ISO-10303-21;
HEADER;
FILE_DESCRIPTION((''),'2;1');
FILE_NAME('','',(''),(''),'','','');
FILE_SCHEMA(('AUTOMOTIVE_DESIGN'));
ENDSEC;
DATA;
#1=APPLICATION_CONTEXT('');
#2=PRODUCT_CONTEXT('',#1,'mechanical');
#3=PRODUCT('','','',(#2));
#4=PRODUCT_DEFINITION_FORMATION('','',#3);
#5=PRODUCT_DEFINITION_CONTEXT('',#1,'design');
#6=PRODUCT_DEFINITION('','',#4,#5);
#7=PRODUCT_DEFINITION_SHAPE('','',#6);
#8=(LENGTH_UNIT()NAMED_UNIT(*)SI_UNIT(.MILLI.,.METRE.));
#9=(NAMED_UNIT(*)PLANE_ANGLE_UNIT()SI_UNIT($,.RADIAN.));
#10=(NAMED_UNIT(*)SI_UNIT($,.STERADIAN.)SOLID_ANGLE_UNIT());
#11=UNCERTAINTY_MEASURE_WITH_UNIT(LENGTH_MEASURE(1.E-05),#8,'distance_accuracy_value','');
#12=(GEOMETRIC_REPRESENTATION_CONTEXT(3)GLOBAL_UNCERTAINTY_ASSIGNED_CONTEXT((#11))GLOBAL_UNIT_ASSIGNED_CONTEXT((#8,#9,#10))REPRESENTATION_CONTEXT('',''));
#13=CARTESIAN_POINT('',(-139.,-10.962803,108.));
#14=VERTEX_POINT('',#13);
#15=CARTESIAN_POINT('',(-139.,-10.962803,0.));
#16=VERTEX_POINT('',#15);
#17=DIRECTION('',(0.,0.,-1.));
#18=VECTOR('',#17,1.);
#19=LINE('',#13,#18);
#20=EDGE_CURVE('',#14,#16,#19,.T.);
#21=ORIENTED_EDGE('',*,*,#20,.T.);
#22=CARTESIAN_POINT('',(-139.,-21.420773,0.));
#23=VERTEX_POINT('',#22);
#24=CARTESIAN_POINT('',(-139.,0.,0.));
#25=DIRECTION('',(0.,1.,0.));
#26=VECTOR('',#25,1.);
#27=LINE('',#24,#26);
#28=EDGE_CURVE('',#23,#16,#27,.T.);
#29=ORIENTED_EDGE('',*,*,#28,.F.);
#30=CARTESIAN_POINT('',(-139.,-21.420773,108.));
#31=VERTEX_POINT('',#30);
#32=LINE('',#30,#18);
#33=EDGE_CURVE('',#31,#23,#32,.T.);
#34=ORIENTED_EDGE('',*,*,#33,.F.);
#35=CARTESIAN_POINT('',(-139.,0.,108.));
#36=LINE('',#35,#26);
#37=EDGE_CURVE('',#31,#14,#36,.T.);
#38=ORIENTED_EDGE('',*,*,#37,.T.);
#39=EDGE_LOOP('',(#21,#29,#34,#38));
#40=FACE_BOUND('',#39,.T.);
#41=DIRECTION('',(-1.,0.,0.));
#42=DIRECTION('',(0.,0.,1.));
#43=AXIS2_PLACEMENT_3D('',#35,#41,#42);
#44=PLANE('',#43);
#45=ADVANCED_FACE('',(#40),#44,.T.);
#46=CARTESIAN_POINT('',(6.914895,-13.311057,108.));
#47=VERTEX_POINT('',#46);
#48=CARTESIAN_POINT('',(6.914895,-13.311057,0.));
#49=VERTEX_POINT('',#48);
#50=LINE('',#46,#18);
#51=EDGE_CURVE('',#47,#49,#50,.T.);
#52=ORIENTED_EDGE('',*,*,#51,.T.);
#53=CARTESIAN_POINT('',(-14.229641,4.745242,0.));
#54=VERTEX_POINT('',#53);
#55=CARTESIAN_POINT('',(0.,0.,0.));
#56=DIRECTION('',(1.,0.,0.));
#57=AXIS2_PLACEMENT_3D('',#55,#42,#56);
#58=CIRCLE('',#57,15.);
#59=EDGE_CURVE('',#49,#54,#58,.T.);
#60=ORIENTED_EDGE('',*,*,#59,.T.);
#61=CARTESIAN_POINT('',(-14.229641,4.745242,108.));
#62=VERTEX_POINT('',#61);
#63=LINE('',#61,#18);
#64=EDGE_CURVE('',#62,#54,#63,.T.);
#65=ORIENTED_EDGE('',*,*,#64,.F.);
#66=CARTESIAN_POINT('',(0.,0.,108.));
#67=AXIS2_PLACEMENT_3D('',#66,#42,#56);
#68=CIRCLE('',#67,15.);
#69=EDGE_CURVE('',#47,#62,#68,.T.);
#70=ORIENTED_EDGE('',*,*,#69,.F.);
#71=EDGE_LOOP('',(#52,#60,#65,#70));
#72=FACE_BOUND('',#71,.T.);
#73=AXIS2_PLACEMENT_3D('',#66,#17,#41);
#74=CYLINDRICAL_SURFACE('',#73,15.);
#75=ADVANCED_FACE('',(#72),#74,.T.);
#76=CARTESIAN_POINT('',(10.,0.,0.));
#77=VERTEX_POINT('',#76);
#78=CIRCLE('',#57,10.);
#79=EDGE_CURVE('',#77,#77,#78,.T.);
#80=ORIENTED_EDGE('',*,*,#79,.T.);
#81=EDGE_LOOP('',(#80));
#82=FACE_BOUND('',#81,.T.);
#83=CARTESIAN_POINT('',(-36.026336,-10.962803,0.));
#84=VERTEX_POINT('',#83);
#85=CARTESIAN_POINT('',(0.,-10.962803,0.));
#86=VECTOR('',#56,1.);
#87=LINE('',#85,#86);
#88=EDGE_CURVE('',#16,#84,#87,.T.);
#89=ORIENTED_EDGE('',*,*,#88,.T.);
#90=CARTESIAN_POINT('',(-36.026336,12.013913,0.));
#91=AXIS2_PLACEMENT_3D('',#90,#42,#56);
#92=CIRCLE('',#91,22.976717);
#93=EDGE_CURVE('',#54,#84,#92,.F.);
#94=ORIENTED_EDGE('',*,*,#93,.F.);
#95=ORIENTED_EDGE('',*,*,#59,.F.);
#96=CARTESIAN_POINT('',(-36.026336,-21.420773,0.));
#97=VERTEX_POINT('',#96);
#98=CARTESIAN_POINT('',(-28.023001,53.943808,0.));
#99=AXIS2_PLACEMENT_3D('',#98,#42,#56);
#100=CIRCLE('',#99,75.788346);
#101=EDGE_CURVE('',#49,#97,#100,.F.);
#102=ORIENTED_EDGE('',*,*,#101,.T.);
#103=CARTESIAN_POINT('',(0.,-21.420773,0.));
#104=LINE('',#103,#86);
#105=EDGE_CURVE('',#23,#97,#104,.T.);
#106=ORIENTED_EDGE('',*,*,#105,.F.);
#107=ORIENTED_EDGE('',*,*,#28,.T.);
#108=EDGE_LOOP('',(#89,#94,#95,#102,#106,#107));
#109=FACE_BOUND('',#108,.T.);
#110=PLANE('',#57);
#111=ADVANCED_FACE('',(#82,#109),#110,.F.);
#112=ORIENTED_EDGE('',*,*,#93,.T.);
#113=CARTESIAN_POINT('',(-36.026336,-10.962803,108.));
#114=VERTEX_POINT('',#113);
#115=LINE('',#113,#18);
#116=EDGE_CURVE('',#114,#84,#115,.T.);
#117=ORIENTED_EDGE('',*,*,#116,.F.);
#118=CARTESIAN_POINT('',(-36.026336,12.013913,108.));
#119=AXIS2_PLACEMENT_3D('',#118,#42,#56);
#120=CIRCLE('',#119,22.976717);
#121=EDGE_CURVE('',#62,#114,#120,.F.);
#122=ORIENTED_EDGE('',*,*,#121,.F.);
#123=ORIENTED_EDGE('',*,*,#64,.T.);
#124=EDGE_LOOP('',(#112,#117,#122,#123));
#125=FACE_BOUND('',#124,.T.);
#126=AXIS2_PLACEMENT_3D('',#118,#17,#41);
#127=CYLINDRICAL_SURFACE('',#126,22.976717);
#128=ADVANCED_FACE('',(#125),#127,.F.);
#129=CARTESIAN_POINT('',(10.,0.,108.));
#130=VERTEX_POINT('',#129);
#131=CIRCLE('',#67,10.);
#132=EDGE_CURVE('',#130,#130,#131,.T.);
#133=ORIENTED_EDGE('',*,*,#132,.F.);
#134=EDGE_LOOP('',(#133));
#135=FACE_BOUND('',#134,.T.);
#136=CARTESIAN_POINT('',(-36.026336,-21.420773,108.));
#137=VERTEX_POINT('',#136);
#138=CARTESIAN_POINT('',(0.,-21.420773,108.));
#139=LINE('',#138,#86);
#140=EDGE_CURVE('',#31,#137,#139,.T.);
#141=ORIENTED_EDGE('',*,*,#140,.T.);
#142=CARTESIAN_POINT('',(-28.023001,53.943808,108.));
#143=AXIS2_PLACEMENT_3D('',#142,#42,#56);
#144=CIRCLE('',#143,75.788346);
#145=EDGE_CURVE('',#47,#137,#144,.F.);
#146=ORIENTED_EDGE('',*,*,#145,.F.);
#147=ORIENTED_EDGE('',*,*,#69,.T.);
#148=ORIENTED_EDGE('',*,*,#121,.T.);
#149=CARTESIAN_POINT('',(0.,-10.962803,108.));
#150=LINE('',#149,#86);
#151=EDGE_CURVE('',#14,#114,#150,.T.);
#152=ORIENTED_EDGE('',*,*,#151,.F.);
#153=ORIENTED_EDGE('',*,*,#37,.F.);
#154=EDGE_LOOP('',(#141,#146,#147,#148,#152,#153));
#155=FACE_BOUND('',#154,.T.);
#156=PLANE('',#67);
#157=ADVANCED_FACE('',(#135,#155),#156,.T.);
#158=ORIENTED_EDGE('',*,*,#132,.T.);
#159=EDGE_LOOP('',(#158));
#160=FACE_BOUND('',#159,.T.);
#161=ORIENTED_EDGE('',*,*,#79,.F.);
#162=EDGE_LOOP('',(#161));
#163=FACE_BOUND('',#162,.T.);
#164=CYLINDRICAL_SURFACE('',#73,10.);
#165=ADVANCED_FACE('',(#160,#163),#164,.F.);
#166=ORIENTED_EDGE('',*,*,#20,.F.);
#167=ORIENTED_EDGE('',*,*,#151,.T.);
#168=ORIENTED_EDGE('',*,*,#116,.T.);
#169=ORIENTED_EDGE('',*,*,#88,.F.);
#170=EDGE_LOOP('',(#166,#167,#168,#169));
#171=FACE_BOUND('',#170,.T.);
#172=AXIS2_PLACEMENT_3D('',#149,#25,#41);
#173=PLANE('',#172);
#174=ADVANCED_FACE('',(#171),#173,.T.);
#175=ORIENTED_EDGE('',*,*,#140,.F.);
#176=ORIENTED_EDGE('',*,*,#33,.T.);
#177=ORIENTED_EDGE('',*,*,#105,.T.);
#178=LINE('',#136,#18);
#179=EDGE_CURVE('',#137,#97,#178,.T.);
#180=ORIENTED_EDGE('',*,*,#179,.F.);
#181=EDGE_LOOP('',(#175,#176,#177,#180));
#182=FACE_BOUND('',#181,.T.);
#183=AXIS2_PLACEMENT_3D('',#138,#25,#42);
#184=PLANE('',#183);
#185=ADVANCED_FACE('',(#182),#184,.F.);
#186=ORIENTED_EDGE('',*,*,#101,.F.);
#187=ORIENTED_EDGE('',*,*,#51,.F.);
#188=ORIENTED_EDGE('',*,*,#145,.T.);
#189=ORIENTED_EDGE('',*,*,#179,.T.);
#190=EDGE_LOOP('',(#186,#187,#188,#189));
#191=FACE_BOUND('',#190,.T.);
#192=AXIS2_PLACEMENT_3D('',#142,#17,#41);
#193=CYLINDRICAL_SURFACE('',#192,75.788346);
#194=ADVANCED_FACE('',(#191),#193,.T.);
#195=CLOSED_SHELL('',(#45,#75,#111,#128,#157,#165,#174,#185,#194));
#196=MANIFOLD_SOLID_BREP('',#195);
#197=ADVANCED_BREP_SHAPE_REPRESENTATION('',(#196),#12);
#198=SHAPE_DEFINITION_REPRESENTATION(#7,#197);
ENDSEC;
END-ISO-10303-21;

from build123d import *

# Parameters (mm, degrees)
SKETCH1_W           = 102.973663886
SKETCH1_H           = 10.457969277
SKETCH1_R           = 15
SKETCH1_R_2         = 10
BOSS_EXTRUDE1_DEPTH = 108


with BuildPart() as part:
    # Sketch1 → Boss-Extrude1 (new body)
    # profile 1 of 3: a face of its own
    with BuildSketch(Plane.XY):
        with Locations((-87.513168057, -16.191787915)):
            Rectangle(SKETCH1_W, SKETCH1_H)
    # profile 2 of 3: a face of its own
    with BuildSketch(Plane.XY):
        with BuildLine():
            Line((-36.026336114, -10.962803276), (-36.026336114, -21.420772553))
            ThreePointArc((-36.026336114, -21.420772553), (-13.958524045, -20.528091864), (6.914894743, -13.311056709))
            ThreePointArc((6.914894743, -13.311056709), (-9.740834476, -11.406846352), (-14.229640926, 4.745241735))
            ThreePointArc((-14.229640926, 4.745241735), (-22.592809035, -6.626630029), (-36.026336114, -10.962803276))
        make_face()
    # profile 3 of 3: a face of its own
    with BuildSketch(Plane.XY):
        Circle(SKETCH1_R)
        Circle(SKETCH1_R_2, mode=Mode.SUBTRACT)
    extrude(amount=BOSS_EXTRUDE1_DEPTH)


solid = part.part
